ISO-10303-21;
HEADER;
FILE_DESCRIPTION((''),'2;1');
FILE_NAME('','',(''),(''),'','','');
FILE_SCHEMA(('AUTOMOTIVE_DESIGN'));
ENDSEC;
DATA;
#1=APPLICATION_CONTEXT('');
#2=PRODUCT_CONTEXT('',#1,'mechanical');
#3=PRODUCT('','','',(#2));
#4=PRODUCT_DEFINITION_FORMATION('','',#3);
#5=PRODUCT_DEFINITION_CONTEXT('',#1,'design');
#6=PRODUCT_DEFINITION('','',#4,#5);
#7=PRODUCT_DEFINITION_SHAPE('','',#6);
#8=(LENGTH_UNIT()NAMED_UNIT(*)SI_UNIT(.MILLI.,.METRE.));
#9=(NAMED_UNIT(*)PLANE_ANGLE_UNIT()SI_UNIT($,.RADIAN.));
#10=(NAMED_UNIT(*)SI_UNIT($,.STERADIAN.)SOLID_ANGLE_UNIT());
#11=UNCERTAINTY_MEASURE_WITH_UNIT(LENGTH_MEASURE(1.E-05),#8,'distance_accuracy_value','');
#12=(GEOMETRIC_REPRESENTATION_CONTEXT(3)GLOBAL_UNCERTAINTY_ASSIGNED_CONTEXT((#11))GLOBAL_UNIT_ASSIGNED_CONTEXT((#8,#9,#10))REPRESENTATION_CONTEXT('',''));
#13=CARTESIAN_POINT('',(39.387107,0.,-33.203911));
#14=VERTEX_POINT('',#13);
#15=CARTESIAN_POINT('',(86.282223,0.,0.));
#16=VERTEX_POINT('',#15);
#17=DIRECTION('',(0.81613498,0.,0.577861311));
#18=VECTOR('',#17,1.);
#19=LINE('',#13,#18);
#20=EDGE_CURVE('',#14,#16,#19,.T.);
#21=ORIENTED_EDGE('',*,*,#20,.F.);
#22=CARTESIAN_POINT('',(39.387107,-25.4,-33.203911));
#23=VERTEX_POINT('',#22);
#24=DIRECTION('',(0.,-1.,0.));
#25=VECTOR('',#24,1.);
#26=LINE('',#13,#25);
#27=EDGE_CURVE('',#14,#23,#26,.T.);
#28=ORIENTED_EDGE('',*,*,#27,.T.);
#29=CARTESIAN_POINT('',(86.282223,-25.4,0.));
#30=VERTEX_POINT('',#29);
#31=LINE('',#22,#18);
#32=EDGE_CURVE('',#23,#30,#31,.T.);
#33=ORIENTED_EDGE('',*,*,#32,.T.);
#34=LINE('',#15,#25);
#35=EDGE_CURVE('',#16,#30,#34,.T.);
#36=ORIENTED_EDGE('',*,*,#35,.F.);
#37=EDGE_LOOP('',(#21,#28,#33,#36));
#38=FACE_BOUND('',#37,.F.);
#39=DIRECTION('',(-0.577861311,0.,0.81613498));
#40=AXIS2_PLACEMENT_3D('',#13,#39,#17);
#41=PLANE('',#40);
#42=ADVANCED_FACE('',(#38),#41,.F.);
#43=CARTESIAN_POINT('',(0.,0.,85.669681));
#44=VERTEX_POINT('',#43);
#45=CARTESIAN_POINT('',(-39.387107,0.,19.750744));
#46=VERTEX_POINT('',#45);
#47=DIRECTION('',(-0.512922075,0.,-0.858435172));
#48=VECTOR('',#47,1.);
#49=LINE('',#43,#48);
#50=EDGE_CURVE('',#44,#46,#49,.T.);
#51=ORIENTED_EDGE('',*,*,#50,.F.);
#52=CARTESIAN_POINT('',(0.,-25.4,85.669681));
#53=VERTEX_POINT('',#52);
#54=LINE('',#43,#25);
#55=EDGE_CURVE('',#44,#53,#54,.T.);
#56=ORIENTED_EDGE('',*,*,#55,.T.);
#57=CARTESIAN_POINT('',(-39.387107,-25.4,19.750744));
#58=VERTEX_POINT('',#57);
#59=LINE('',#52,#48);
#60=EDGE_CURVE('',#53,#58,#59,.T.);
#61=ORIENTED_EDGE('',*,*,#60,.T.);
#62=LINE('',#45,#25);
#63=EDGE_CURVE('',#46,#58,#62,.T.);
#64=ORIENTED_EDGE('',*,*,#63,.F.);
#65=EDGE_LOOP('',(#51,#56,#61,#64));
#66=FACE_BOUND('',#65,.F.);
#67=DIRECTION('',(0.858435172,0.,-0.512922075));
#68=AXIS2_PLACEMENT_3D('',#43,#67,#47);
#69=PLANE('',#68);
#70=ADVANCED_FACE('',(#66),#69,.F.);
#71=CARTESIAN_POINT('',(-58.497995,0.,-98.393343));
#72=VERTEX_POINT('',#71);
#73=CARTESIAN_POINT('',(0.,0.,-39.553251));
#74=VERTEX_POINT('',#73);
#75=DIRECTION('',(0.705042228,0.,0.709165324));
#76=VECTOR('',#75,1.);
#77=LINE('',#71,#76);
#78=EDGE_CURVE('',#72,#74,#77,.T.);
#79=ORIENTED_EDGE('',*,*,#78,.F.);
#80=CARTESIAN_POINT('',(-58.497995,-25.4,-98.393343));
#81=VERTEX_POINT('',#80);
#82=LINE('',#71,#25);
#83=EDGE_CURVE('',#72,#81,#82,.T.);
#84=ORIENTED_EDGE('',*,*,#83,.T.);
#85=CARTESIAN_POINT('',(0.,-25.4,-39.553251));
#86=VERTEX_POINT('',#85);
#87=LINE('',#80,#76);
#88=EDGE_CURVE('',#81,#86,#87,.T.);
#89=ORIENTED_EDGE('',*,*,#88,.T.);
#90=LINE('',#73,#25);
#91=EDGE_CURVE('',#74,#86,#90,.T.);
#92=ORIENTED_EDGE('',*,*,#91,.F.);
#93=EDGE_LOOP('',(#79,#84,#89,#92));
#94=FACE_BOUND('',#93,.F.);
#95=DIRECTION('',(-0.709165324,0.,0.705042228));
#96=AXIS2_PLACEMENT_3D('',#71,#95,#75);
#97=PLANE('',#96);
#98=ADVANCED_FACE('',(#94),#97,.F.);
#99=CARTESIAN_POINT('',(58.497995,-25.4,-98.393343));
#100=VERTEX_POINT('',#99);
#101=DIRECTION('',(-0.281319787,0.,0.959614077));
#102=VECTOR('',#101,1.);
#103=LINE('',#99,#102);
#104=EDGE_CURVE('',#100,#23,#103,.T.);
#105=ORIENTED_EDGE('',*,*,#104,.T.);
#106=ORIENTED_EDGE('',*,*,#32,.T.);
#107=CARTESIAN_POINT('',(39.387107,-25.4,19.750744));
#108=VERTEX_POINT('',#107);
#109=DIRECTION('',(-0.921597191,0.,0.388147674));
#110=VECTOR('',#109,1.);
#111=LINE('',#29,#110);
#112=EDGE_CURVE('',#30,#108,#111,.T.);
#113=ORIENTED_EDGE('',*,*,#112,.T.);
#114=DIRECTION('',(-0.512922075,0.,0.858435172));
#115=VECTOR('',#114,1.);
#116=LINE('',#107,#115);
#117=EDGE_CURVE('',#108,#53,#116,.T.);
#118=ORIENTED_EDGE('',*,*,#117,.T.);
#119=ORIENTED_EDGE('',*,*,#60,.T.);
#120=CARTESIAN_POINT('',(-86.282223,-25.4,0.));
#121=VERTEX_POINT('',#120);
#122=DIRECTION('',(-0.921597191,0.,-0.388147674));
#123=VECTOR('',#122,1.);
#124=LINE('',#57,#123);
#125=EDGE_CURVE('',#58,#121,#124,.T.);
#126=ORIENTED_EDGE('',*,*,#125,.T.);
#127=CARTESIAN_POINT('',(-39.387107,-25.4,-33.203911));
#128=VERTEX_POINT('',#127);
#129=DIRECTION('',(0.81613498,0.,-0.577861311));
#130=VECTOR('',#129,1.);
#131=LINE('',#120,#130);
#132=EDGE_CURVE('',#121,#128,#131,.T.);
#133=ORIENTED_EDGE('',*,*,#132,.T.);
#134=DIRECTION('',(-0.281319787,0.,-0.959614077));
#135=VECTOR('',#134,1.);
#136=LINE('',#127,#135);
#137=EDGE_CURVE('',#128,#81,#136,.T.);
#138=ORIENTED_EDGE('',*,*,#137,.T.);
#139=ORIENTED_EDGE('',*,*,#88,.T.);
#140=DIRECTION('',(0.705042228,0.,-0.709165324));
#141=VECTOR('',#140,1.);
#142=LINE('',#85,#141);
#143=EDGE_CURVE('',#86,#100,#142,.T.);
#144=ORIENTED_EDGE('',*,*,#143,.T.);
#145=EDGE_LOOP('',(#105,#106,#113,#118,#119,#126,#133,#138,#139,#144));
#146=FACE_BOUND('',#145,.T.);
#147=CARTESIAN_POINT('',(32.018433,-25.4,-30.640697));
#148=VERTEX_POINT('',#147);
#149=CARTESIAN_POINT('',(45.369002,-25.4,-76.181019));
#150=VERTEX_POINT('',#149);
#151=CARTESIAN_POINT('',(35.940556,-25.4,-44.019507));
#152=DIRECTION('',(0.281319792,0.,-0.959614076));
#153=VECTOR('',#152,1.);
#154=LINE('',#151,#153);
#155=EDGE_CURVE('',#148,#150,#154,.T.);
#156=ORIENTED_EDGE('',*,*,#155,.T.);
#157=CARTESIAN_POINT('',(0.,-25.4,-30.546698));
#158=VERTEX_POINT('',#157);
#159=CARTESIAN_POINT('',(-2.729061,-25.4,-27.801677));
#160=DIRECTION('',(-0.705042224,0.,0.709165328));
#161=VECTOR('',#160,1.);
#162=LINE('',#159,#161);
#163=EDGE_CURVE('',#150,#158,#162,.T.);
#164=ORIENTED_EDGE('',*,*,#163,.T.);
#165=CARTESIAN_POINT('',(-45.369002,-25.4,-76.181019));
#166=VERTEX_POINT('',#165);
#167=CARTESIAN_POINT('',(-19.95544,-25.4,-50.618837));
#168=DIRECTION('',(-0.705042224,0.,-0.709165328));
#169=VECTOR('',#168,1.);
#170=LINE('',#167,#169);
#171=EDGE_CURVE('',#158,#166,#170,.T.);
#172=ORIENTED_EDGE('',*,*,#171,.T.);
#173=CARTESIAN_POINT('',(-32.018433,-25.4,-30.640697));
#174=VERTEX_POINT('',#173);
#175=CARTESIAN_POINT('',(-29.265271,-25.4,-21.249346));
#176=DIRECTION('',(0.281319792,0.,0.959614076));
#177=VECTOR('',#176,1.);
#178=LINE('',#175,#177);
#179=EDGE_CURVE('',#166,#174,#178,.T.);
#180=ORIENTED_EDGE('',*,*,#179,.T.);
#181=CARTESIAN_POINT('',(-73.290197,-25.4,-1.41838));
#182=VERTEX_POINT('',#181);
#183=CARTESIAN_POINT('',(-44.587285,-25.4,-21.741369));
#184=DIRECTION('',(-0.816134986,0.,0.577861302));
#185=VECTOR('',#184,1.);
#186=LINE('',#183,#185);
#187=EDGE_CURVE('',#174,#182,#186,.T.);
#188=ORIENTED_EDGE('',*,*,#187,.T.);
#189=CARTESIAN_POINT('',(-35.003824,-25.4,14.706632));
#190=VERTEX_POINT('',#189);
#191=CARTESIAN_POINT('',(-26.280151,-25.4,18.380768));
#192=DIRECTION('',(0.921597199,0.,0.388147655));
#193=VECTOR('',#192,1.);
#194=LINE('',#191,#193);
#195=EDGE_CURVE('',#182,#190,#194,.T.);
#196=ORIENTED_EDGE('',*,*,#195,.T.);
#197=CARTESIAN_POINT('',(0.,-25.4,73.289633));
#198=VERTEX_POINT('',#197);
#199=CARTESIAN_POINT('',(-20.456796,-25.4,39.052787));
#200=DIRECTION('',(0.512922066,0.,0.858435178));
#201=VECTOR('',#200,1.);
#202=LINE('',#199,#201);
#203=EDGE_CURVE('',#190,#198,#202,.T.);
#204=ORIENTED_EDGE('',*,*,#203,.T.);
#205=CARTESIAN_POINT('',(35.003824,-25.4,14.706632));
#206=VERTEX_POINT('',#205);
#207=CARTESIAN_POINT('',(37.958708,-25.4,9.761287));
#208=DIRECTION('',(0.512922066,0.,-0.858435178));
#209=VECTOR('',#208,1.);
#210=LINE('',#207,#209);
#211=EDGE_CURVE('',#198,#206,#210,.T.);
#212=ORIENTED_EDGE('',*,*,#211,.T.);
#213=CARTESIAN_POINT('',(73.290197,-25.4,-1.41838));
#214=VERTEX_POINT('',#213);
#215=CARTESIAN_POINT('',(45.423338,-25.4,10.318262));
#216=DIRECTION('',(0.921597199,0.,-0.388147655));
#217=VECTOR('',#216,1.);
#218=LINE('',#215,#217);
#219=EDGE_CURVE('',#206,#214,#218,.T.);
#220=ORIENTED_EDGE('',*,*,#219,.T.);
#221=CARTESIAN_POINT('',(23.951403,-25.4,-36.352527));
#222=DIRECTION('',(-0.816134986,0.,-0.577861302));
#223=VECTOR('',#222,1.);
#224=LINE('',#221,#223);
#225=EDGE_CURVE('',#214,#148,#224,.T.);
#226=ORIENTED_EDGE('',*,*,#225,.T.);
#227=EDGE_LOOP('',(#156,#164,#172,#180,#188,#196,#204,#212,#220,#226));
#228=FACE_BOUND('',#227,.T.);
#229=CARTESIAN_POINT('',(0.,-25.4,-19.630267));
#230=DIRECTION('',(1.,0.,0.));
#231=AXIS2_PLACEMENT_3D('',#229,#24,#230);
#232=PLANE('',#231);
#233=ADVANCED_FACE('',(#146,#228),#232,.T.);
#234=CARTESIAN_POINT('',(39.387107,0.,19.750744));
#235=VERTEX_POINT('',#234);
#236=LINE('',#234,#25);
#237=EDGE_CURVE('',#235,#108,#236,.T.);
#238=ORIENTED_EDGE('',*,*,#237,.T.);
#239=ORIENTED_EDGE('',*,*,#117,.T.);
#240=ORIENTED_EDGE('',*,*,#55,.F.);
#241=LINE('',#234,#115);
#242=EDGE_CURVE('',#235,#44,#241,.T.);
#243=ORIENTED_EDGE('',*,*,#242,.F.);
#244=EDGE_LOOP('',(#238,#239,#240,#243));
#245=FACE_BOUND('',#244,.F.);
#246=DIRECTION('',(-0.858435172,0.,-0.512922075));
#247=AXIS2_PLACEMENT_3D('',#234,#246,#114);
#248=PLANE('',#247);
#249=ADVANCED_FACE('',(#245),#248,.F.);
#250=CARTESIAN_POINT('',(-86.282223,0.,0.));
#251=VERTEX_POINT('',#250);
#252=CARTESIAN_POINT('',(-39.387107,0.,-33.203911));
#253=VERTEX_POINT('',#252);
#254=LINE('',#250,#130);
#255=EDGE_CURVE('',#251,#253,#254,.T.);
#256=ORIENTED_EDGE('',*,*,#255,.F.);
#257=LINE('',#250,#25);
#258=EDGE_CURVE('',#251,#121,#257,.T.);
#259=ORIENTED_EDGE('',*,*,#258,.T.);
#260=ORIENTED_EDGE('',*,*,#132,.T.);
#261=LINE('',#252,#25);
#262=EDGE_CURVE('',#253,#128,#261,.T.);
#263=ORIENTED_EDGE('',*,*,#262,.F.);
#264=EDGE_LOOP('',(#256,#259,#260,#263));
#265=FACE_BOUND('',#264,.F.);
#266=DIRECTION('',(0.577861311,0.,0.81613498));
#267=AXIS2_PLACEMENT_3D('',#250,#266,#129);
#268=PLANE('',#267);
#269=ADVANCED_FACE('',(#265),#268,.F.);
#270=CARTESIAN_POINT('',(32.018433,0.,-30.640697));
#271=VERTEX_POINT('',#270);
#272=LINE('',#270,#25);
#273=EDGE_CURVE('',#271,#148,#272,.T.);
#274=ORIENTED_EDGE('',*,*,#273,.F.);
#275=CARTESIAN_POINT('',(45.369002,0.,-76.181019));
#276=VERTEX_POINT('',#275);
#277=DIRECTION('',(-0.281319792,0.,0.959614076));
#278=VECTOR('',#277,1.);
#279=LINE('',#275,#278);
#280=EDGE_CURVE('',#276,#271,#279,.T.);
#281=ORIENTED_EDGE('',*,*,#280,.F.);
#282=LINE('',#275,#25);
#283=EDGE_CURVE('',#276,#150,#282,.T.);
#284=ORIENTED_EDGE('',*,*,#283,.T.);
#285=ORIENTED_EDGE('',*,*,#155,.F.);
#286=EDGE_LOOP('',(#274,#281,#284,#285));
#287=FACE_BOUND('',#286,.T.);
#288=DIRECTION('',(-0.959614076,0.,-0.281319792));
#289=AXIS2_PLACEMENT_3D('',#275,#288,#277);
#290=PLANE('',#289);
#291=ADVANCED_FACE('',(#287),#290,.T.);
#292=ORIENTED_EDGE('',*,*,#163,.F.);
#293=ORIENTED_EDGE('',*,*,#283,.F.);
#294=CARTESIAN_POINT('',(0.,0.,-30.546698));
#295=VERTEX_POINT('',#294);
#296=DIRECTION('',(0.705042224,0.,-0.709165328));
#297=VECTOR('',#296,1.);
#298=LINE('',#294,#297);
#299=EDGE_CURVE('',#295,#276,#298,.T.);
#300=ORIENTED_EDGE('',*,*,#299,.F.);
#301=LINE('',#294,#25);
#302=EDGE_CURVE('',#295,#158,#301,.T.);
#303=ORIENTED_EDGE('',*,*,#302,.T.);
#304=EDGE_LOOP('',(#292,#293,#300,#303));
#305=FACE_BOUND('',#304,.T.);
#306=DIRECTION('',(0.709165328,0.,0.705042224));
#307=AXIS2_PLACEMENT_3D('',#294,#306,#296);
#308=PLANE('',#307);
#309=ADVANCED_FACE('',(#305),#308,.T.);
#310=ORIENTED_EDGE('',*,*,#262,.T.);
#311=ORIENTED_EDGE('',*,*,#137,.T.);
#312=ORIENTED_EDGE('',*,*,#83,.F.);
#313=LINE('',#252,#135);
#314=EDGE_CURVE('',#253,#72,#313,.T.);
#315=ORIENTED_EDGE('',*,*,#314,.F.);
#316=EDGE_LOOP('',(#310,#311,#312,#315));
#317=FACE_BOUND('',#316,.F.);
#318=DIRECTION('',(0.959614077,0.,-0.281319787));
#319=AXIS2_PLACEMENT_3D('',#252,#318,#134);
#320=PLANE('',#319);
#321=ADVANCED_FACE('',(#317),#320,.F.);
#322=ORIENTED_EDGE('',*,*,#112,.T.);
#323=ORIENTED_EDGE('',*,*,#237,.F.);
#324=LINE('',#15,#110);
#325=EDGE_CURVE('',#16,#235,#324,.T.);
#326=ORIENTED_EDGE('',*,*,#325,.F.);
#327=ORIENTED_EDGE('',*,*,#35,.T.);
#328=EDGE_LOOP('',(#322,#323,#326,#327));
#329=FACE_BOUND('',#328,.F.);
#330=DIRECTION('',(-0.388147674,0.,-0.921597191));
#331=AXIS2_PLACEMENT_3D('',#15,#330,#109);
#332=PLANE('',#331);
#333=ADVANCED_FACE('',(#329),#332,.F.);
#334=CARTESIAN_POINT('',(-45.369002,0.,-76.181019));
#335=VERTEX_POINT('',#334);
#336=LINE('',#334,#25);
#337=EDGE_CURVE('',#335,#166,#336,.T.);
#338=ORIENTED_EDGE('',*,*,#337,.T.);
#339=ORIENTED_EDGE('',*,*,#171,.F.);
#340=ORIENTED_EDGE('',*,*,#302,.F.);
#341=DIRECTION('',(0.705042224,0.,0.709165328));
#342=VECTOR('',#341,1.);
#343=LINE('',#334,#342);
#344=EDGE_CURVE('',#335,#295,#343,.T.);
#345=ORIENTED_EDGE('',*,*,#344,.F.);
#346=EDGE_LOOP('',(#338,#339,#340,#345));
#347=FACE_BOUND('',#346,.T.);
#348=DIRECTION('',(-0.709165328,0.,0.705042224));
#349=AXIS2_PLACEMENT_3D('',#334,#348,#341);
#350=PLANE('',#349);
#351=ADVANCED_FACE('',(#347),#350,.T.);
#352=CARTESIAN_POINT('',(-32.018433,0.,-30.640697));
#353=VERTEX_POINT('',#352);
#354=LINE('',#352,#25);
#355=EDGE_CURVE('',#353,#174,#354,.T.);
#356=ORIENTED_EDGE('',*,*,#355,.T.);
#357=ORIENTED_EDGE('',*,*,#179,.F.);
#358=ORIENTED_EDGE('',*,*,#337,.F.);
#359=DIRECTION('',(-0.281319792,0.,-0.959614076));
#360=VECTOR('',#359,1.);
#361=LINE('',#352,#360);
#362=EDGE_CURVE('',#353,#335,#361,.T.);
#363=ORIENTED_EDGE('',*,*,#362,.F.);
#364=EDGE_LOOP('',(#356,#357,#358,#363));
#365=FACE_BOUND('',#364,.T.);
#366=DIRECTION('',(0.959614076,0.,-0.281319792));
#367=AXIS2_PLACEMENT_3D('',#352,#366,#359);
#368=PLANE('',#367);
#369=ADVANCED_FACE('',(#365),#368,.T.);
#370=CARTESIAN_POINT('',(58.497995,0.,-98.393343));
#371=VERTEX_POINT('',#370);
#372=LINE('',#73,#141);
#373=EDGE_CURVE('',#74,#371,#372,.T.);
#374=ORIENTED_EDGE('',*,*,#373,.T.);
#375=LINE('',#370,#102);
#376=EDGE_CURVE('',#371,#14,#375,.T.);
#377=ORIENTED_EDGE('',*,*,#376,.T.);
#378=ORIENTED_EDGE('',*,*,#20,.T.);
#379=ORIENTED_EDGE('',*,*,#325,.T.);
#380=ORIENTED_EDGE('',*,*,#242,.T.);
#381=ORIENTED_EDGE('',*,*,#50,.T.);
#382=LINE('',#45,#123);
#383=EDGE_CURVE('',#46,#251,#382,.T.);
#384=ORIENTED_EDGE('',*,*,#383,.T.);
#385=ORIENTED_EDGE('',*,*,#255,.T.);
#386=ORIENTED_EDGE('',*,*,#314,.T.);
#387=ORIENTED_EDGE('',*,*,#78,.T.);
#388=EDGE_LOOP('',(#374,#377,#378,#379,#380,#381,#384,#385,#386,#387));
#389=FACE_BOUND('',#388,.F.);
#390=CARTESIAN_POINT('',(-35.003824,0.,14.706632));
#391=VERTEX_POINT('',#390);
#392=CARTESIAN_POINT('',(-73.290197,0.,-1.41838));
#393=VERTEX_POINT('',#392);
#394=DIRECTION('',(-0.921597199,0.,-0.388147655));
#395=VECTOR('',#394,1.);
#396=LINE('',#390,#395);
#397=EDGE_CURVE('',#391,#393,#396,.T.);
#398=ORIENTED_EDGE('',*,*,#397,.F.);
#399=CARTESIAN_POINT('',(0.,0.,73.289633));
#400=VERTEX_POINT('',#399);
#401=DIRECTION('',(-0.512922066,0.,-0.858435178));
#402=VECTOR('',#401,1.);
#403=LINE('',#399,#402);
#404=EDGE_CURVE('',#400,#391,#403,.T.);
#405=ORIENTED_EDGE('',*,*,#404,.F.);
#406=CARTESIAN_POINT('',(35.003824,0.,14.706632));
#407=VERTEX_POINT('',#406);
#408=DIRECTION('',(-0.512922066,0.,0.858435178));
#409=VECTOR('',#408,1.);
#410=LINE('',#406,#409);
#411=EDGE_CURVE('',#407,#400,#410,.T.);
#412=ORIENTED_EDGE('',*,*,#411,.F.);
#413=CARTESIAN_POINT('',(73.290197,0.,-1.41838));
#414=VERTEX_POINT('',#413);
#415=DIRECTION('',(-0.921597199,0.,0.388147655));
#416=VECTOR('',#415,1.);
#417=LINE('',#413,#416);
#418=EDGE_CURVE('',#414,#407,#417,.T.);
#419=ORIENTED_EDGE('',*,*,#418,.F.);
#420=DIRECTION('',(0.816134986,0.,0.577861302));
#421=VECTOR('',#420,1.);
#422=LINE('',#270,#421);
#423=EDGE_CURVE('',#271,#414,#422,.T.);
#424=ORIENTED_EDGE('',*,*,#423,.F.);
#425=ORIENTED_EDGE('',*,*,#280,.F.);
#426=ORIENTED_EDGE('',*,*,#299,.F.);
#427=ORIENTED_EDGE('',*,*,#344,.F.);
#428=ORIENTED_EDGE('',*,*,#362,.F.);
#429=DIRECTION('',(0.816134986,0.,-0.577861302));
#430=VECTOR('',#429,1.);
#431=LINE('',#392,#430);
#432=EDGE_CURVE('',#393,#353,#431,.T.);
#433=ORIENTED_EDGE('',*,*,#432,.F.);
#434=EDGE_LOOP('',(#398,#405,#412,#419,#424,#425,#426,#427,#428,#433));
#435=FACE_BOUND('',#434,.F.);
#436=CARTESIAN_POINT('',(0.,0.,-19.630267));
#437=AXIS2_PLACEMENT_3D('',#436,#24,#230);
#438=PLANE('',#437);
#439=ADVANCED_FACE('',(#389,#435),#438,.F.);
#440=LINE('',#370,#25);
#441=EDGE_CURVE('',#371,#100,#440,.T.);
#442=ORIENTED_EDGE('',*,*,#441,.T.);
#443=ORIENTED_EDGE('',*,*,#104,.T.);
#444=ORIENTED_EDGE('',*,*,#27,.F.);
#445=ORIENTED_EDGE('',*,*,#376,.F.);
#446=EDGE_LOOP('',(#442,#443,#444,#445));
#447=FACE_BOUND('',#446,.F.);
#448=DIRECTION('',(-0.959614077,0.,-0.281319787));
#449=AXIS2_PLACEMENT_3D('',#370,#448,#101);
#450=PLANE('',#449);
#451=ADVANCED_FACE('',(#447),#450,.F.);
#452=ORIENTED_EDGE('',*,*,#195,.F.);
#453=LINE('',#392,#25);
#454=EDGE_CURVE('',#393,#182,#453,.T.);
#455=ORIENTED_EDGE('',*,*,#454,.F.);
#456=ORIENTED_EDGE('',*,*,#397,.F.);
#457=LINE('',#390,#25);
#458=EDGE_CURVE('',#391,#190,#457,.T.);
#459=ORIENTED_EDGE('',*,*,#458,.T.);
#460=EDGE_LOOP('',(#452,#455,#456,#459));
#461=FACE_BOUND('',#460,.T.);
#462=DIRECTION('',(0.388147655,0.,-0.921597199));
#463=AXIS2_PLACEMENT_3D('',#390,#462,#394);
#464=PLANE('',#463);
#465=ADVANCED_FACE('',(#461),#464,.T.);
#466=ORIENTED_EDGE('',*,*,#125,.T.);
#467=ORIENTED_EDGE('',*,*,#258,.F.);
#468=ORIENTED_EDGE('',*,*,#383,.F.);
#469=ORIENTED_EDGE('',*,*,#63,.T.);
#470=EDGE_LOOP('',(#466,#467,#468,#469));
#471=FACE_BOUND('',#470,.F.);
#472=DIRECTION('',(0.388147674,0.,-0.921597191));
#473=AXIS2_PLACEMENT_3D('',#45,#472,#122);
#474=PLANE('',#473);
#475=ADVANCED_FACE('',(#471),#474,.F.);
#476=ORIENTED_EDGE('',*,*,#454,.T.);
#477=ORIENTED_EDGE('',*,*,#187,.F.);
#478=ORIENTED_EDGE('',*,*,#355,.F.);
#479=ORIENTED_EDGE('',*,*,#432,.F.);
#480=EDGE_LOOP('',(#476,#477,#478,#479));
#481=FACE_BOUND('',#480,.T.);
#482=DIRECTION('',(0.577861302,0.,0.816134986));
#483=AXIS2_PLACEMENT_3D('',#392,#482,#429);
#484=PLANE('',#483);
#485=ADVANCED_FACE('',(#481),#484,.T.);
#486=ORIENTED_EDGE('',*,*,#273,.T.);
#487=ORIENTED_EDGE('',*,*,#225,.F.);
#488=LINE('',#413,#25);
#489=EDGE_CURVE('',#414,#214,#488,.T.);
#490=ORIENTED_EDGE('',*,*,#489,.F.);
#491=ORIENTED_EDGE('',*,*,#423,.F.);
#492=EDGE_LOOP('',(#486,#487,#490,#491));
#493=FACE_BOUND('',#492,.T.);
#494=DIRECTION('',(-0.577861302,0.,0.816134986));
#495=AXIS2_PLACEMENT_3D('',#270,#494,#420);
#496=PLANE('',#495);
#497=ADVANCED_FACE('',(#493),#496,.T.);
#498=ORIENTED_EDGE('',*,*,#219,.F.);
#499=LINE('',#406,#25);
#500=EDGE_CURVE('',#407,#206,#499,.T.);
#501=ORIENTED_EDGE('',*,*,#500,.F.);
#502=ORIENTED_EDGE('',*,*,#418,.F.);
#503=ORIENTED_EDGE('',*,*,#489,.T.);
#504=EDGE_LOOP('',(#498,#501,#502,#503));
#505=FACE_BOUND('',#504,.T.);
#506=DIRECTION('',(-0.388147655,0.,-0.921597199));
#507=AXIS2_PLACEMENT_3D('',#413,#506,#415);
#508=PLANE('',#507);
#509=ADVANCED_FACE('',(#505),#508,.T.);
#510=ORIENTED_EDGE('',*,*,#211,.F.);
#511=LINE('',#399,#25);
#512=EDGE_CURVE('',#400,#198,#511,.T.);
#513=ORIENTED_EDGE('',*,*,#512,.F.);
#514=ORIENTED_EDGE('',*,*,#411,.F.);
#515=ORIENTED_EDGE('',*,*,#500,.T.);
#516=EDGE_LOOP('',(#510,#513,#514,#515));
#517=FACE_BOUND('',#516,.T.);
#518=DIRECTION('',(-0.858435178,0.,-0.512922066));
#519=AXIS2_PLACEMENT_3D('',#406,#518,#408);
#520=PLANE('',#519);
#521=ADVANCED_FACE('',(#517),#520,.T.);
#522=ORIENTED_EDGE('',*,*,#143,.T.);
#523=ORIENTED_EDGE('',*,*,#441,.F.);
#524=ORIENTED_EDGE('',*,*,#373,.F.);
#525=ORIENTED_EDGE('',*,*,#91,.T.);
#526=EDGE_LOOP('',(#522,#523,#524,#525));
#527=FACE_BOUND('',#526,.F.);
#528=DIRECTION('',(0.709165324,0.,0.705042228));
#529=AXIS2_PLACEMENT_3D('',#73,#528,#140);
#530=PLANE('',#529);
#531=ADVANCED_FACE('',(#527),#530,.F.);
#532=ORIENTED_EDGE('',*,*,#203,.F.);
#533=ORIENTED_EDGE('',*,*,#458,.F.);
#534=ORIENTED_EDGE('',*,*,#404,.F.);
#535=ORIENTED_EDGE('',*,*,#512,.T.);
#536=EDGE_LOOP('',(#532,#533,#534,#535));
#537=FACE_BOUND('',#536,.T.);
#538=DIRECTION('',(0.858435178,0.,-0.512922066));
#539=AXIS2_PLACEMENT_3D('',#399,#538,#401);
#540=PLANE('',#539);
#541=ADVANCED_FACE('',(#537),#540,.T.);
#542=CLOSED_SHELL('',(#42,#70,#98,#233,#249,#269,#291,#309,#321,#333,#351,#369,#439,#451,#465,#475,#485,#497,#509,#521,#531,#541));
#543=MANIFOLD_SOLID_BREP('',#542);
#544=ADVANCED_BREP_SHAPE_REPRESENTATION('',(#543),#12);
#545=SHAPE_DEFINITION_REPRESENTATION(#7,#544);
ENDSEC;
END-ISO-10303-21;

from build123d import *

# Parameters (mm, degrees)
F2_DEPTH = 25.4
F3_DEPTH = 61.637215


with BuildPart() as f2:
    # F0 (on Front) → F2 (new body)
    with BuildSketch(Plane.XZ):
        Polygon((39.387107, 19.750744), (0, 85.669681), (-39.387107, 19.750744), (-86.282223, 0), (-39.387107, -33.203911), (-58.497995, -98.393343), (0, -39.553251), (58.497995, -98.393343), (39.387107, -33.203911), (86.282223, 0), align=None)
    extrude(amount=F2_DEPTH)

    # F1 (on Front) → F3 (cut)
    with BuildSketch(Plane.XZ):
        Polygon((32.018433, -30.640697), (73.290197, -1.41838), (35.003824, 14.706632), (0, 73.289633), (-35.003824, 14.706632), (-73.290197, -1.41838), (-32.018433, -30.640697), (-45.369002, -76.181019), (0, -30.546698), (45.369002, -76.181019), align=None)
    extrude(amount=F3_DEPTH, mode=Mode.SUBTRACT)


solid = f2.part
